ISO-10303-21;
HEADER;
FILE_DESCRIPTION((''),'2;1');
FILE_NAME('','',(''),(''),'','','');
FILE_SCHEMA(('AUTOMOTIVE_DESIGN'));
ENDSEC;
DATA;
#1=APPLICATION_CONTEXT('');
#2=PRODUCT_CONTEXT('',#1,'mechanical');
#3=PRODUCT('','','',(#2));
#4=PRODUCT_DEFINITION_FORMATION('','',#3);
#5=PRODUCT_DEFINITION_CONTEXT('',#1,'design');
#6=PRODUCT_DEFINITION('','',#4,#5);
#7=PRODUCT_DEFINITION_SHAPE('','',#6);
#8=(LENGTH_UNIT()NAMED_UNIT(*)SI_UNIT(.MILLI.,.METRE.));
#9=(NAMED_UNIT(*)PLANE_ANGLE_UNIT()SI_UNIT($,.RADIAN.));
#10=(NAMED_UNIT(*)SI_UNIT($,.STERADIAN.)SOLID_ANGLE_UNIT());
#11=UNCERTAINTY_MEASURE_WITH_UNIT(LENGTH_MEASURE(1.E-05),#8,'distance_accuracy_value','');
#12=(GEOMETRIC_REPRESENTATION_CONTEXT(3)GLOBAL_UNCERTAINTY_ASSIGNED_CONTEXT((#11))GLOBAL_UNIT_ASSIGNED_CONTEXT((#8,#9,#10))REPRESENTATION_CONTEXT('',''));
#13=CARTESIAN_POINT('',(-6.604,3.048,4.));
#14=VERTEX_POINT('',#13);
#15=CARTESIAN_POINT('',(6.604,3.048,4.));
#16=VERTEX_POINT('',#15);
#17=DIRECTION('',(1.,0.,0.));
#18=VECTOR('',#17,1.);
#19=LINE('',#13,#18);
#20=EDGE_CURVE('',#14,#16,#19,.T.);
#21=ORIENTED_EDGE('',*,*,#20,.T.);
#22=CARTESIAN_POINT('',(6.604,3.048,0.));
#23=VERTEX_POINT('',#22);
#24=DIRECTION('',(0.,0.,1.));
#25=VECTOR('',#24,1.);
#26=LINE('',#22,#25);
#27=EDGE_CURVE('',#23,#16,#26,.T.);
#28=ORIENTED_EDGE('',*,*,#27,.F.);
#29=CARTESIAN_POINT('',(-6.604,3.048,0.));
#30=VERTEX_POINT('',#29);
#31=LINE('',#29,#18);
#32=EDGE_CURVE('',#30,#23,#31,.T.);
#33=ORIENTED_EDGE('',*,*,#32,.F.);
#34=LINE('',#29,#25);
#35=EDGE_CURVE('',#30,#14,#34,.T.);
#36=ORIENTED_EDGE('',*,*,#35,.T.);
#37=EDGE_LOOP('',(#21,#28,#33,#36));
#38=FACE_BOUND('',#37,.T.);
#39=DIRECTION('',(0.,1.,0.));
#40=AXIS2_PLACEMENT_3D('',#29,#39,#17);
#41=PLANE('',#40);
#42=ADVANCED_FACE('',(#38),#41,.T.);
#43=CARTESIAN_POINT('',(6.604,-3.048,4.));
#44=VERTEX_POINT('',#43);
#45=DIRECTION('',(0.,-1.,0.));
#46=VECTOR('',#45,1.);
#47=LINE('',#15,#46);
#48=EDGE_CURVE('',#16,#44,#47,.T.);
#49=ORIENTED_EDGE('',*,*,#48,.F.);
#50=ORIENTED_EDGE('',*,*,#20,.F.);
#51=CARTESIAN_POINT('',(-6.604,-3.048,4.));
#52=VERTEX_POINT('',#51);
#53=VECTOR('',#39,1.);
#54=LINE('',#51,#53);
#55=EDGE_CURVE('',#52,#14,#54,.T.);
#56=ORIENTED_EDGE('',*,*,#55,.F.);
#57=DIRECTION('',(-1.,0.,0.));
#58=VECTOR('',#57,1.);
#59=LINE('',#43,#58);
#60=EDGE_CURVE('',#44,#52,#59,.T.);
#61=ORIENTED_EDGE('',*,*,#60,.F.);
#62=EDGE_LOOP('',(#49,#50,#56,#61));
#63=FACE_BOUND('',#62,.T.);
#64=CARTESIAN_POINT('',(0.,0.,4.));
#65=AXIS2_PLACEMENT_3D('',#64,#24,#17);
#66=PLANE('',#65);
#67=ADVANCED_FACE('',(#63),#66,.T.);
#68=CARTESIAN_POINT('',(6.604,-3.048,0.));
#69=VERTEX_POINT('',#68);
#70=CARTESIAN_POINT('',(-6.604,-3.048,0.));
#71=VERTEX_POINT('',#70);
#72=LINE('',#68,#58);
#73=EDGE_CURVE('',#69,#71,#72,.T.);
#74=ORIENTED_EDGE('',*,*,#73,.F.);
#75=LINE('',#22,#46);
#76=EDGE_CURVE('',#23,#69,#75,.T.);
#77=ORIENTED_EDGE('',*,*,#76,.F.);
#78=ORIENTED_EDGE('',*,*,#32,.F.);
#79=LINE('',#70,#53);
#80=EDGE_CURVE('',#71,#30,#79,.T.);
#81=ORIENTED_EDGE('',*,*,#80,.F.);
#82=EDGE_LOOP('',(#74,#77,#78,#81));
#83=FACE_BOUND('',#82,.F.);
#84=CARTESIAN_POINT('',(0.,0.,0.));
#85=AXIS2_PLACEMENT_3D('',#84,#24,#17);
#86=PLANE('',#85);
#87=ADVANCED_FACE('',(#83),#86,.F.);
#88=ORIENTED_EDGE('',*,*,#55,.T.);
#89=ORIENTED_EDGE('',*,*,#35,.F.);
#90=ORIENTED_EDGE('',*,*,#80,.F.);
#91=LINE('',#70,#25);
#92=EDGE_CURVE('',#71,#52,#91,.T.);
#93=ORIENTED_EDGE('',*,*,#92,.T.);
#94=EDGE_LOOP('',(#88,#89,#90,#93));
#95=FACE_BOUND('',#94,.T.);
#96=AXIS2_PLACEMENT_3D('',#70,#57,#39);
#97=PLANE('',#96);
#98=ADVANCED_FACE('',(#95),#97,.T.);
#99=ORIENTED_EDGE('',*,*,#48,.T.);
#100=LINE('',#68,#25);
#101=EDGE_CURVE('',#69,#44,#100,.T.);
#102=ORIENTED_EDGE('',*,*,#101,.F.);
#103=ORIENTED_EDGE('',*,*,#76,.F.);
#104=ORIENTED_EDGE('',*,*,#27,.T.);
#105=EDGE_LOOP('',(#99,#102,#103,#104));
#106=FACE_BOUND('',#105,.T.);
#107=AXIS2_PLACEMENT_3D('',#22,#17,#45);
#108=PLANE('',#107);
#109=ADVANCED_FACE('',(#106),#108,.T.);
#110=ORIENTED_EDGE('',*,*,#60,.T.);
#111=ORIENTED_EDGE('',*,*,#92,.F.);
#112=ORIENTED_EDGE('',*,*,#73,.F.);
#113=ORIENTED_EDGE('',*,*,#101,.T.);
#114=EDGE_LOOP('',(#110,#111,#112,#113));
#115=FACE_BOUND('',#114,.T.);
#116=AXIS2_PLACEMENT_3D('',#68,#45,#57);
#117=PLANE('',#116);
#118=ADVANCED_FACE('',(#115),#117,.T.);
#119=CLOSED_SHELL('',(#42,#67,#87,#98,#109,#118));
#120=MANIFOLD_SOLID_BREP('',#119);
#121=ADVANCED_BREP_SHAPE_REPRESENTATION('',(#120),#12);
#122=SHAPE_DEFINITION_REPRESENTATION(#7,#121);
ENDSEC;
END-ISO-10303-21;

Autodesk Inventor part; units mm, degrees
ref_plane "YZ Plane" through (0, 0, 0) normal (1, 0, 0) x (0, 1, 0)
ref_plane "XZ Plane" through (0, 0, 0) normal (0, 1, 0) x (-1, 0, 0)
ref_plane "XY Plane" through (0, 0, 0) normal (0, 0, 1) x (1, 0, 0)
sketch "HC49UP, Q3_HC49UP_29" plane through (0, 0, 0) normal (0, 0, 1) x (1, 0, 0)
  line L0 (-6.604, 3.048) -> (6.604, 3.048)
  line L1 (6.604, 3.048) -> (6.604, -3.048)
  line L2 (6.604, -3.048) -> (-6.604, -3.048)
  line L3 (-6.604, -3.048) -> (-6.604, 3.048)
extrude "Extrusion1" add sketch "HC49UP, Q3_HC49UP_29" along normal blind 4
properties part number "Q3_HC49UP"
